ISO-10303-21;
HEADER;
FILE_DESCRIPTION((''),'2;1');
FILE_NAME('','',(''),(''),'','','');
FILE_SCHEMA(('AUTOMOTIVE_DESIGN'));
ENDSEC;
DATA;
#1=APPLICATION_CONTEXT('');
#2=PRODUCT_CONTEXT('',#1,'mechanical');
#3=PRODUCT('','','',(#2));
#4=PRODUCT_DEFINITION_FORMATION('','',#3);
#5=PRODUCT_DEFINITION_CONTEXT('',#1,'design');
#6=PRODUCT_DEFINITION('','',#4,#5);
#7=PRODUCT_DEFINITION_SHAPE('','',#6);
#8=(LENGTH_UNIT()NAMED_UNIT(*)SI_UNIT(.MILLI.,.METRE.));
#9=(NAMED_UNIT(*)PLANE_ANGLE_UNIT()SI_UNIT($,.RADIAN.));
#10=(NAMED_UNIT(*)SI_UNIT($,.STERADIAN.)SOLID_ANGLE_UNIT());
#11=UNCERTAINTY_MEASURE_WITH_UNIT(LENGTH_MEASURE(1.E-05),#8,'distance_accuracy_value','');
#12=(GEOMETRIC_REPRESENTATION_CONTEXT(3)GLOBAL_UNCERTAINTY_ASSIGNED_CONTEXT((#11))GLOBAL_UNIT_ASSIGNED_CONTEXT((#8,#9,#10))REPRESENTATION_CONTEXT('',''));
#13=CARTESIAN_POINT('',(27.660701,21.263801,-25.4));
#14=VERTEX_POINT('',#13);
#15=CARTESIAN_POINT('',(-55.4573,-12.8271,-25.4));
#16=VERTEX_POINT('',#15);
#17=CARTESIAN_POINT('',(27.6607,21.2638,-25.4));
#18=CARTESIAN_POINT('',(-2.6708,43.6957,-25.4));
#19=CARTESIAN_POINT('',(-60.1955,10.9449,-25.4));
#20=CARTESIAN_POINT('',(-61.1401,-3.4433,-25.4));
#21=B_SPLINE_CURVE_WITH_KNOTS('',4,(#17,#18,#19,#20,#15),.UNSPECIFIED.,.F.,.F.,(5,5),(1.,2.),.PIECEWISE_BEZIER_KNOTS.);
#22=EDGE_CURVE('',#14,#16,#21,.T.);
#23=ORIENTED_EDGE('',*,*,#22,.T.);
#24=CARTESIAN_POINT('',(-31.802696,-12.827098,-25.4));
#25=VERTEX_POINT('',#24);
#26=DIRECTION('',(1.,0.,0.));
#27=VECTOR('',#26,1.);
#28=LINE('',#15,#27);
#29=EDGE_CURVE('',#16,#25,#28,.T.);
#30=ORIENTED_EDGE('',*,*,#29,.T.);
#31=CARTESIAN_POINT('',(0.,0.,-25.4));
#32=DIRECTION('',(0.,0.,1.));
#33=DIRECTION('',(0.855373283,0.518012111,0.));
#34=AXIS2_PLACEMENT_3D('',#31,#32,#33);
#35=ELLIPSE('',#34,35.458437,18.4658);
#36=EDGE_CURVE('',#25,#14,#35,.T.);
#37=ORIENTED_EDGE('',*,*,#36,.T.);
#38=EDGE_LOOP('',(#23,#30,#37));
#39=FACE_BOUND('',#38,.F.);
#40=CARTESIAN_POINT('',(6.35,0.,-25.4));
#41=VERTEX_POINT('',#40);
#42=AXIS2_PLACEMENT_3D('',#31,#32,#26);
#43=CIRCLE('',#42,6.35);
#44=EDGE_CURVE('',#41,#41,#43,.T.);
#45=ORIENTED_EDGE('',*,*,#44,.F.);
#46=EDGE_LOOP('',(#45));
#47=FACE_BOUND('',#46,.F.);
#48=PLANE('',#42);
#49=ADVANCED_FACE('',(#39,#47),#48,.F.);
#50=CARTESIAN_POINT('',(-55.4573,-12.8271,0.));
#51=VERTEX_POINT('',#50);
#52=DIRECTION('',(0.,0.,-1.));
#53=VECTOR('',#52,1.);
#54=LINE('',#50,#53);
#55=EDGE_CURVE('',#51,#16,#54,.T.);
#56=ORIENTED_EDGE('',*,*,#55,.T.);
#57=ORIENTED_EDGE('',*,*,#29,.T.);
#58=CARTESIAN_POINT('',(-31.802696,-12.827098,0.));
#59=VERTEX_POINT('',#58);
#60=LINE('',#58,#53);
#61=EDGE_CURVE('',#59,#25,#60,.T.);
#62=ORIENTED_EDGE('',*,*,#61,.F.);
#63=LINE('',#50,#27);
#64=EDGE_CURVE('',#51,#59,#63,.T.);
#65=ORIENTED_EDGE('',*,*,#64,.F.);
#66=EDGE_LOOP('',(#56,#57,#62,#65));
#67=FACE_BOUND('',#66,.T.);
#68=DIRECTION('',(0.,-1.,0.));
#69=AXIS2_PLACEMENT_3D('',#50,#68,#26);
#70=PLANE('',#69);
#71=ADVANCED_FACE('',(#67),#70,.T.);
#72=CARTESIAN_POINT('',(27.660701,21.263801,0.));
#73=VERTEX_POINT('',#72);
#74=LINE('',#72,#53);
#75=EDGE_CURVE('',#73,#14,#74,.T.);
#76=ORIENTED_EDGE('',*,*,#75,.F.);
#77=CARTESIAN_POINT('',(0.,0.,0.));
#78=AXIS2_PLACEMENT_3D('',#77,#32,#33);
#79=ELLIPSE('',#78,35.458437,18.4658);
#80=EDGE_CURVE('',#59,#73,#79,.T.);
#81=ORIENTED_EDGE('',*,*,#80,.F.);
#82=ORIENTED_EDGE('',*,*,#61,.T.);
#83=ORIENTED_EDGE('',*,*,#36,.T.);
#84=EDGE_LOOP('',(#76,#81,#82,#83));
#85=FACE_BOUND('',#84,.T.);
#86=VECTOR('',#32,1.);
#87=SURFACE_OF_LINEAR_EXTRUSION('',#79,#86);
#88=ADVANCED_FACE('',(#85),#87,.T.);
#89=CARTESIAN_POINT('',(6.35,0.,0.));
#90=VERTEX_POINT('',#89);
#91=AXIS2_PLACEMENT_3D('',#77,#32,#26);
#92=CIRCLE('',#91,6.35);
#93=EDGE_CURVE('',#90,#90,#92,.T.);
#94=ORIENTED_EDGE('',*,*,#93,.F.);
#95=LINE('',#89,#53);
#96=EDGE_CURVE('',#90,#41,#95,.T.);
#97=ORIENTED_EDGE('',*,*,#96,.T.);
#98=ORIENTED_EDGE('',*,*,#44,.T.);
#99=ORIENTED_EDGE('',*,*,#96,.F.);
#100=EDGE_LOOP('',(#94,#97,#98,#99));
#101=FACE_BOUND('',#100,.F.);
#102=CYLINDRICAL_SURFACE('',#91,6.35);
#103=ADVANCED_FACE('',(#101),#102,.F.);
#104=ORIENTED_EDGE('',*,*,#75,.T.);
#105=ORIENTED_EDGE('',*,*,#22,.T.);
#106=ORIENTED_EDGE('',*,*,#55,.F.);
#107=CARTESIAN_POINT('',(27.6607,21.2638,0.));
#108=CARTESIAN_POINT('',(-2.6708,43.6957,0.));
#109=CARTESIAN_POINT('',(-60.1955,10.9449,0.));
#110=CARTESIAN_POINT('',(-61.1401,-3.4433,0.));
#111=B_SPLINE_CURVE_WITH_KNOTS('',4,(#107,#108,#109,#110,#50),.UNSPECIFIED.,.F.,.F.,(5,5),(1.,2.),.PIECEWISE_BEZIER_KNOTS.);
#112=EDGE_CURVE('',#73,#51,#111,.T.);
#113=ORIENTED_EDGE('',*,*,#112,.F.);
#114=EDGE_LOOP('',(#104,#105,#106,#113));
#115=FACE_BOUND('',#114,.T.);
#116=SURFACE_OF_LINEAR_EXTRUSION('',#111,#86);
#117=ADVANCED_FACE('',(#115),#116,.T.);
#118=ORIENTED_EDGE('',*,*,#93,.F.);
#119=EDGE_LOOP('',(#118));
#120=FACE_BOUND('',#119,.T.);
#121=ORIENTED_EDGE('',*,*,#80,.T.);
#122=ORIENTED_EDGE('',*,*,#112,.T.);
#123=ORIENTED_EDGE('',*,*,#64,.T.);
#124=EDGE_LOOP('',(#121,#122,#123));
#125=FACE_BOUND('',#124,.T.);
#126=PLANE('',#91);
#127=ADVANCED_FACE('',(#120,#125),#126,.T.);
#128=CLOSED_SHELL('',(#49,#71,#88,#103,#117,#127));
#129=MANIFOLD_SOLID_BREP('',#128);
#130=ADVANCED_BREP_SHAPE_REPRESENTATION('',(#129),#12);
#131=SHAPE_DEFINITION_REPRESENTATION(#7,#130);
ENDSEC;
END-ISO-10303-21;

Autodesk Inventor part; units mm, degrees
ref_plane "YZ Plane" through (0, 0, 0) normal (1, 0, 0) x (0, 1, 0)
ref_plane "XZ Plane" through (0, 0, 0) normal (0, 1, 0) x (-1, 0, 0)
ref_plane "XY Plane" through (0, 0, 0) normal (0, 0, 1) x (1, 0, 0)
sketch "Sketch1" plane through (0, 0, 0) normal (0, 0, 1) x (1, 0, 0)
  ellipse E0 centre (0, 0) end of major axis (30.3302, 18.3679) minor radius 18.4658 (-31.8027, -12.8271) -> (27.6607, 21.2638) ccw
  line L0 (27.6607, 21.2638) -> (-2.6708, 43.6957) construction
  line L1 (-2.6708, 43.6957) -> (-60.1955, 10.9449) construction
  line L2 (-60.1955, 10.9449) -> (-61.1401, -3.4433) construction
  line L3 (-61.1401, -3.4433) -> (-55.4573, -12.8271) construction
  spline S0 degree 4 poles (27.6607, 21.2638) (-2.6708, 43.6957) (-60.1955, 10.9449) (-61.1401, -3.4433) (-55.4573, -12.8271) knots 1 1 1 1 1 2 2 2 2 2
  line L4 (-55.4573, -12.8271) -> (-31.8027, -12.8271)
  circle A0 centre (0, 0) radius 6.35
  point P0 (-43.63, -12.8271)
  dimension "d7" = 35.4584
  dimension "d13" = 18.4658
  dimension "d0" = 56.9214
  dimension "d2" = 37.7252
  dimension "d3" = 66.1944
  dimension "d4" = 14.4192
  dimension "d5" = 10.9704
  dimension "d6" = 34.2921
  dimension "d9" = 113.861
  dimension "d10" = 43.6957
  dimension "d14" = 12.7
extrude "Extrusion1" add sketch "Sketch1" against normal blind 25.4
properties part number "cam 3"
